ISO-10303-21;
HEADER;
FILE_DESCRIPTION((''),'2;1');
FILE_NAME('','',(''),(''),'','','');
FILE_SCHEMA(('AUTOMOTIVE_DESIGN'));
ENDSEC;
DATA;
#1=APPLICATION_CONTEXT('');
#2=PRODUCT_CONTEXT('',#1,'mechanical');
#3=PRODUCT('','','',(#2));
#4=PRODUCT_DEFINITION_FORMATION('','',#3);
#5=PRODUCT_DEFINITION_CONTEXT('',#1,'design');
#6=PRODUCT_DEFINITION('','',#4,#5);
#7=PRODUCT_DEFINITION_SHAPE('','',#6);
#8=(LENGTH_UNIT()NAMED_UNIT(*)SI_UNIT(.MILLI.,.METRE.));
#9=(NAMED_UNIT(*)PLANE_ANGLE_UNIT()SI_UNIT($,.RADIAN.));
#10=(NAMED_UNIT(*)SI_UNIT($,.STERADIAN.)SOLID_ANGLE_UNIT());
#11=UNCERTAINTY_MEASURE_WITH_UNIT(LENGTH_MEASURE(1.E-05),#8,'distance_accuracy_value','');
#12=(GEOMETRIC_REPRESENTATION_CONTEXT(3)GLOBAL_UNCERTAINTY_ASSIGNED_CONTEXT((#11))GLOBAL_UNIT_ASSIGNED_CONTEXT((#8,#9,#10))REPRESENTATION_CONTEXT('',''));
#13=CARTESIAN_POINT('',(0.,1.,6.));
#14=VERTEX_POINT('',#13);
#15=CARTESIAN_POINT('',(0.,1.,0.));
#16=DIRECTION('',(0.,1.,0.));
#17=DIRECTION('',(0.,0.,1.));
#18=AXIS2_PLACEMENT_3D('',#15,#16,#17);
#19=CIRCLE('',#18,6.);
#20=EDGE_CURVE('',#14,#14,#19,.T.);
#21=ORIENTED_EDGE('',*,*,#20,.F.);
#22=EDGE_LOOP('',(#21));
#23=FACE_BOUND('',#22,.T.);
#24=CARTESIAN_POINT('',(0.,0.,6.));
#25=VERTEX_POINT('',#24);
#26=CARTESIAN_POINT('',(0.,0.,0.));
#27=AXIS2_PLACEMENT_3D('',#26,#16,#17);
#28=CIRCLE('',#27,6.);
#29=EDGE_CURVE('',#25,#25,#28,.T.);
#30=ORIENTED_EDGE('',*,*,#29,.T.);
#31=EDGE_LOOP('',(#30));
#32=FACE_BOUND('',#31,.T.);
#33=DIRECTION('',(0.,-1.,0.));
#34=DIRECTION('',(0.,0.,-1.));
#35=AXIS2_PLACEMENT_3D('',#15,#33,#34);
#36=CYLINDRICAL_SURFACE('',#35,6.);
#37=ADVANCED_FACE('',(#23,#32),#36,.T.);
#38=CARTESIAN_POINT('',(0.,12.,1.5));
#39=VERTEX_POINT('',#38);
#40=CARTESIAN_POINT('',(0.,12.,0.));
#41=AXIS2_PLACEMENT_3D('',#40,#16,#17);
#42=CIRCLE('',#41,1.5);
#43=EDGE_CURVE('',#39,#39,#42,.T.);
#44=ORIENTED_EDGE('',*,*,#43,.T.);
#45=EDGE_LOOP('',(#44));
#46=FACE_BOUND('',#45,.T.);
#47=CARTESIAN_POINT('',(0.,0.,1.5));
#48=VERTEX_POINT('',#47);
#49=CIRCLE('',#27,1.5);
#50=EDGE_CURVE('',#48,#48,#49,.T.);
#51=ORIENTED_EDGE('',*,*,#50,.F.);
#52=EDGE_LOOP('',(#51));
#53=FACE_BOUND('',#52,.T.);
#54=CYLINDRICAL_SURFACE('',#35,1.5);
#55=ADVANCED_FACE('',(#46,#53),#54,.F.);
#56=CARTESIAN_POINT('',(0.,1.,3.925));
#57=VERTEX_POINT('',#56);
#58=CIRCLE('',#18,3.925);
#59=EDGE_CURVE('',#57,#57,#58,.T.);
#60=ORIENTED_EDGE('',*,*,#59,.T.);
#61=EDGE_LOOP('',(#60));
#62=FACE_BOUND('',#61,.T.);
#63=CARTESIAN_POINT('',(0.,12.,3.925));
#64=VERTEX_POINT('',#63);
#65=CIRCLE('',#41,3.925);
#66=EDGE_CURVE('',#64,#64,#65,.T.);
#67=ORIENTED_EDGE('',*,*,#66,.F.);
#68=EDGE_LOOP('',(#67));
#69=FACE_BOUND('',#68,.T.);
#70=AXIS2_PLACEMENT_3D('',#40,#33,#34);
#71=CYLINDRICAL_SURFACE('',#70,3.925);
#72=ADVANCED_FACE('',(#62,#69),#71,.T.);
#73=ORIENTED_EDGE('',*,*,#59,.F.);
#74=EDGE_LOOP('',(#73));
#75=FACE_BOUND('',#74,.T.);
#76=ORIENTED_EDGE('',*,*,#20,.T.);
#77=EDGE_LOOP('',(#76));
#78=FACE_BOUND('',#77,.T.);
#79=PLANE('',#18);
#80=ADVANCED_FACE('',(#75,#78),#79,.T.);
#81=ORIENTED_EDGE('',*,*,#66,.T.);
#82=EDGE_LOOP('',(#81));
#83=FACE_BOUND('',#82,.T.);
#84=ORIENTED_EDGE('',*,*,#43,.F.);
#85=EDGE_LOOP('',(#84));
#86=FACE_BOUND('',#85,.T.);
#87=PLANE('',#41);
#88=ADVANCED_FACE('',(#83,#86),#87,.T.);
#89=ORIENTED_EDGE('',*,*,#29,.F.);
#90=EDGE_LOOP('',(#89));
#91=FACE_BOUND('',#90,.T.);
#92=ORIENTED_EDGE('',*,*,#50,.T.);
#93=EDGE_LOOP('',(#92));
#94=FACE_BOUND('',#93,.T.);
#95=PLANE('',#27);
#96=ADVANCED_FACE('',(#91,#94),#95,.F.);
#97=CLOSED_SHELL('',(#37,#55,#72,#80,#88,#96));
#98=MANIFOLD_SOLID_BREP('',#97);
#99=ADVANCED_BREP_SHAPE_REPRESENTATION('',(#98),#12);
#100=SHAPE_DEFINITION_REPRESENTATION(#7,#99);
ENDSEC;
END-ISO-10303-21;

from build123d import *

# Parameters (mm, degrees)
SKIZZE1_R                       = 6
SKIZZE1_R_2                     = 1.5
AUFSATZ_LINEAR_AUSTRAGEN1_DEPTH = 1
SKIZZE2_R                       = 3.925
SKIZZE2_R_2                     = 1.5
AUFSATZ_LINEAR_AUSTRAGEN2_DEPTH = 11


with BuildPart() as part:
    # Skizze1 → Aufsatz-Linear austragen1 (new body)
    with BuildSketch(Plane(origin=(0, 0, 0), x_dir=(1, 0, 0), z_dir=(0, 1, 0))):
        with Locations(Location((0, 0, 0), (0, 0, 270))):
            Circle(SKIZZE1_R)
        with Locations(Location((0, 0, 0), (0, 0, 270))):
            Circle(SKIZZE1_R_2, mode=Mode.SUBTRACT)
    extrude(amount=AUFSATZ_LINEAR_AUSTRAGEN1_DEPTH)

    # Skizze2 → Aufsatz-Linear austragen2 (add)
    with BuildSketch(Plane(origin=(0, 1, 0), x_dir=(1, 0, 0), z_dir=(0, 1, 0))):
        with Locations(Location((0, 0, 0), (0, 0, 270))):
            Circle(SKIZZE2_R)
        with Locations(Location((0, 0, 0), (0, 0, 270))):
            Circle(SKIZZE2_R_2, mode=Mode.SUBTRACT)
    extrude(amount=AUFSATZ_LINEAR_AUSTRAGEN2_DEPTH)


solid = part.part
